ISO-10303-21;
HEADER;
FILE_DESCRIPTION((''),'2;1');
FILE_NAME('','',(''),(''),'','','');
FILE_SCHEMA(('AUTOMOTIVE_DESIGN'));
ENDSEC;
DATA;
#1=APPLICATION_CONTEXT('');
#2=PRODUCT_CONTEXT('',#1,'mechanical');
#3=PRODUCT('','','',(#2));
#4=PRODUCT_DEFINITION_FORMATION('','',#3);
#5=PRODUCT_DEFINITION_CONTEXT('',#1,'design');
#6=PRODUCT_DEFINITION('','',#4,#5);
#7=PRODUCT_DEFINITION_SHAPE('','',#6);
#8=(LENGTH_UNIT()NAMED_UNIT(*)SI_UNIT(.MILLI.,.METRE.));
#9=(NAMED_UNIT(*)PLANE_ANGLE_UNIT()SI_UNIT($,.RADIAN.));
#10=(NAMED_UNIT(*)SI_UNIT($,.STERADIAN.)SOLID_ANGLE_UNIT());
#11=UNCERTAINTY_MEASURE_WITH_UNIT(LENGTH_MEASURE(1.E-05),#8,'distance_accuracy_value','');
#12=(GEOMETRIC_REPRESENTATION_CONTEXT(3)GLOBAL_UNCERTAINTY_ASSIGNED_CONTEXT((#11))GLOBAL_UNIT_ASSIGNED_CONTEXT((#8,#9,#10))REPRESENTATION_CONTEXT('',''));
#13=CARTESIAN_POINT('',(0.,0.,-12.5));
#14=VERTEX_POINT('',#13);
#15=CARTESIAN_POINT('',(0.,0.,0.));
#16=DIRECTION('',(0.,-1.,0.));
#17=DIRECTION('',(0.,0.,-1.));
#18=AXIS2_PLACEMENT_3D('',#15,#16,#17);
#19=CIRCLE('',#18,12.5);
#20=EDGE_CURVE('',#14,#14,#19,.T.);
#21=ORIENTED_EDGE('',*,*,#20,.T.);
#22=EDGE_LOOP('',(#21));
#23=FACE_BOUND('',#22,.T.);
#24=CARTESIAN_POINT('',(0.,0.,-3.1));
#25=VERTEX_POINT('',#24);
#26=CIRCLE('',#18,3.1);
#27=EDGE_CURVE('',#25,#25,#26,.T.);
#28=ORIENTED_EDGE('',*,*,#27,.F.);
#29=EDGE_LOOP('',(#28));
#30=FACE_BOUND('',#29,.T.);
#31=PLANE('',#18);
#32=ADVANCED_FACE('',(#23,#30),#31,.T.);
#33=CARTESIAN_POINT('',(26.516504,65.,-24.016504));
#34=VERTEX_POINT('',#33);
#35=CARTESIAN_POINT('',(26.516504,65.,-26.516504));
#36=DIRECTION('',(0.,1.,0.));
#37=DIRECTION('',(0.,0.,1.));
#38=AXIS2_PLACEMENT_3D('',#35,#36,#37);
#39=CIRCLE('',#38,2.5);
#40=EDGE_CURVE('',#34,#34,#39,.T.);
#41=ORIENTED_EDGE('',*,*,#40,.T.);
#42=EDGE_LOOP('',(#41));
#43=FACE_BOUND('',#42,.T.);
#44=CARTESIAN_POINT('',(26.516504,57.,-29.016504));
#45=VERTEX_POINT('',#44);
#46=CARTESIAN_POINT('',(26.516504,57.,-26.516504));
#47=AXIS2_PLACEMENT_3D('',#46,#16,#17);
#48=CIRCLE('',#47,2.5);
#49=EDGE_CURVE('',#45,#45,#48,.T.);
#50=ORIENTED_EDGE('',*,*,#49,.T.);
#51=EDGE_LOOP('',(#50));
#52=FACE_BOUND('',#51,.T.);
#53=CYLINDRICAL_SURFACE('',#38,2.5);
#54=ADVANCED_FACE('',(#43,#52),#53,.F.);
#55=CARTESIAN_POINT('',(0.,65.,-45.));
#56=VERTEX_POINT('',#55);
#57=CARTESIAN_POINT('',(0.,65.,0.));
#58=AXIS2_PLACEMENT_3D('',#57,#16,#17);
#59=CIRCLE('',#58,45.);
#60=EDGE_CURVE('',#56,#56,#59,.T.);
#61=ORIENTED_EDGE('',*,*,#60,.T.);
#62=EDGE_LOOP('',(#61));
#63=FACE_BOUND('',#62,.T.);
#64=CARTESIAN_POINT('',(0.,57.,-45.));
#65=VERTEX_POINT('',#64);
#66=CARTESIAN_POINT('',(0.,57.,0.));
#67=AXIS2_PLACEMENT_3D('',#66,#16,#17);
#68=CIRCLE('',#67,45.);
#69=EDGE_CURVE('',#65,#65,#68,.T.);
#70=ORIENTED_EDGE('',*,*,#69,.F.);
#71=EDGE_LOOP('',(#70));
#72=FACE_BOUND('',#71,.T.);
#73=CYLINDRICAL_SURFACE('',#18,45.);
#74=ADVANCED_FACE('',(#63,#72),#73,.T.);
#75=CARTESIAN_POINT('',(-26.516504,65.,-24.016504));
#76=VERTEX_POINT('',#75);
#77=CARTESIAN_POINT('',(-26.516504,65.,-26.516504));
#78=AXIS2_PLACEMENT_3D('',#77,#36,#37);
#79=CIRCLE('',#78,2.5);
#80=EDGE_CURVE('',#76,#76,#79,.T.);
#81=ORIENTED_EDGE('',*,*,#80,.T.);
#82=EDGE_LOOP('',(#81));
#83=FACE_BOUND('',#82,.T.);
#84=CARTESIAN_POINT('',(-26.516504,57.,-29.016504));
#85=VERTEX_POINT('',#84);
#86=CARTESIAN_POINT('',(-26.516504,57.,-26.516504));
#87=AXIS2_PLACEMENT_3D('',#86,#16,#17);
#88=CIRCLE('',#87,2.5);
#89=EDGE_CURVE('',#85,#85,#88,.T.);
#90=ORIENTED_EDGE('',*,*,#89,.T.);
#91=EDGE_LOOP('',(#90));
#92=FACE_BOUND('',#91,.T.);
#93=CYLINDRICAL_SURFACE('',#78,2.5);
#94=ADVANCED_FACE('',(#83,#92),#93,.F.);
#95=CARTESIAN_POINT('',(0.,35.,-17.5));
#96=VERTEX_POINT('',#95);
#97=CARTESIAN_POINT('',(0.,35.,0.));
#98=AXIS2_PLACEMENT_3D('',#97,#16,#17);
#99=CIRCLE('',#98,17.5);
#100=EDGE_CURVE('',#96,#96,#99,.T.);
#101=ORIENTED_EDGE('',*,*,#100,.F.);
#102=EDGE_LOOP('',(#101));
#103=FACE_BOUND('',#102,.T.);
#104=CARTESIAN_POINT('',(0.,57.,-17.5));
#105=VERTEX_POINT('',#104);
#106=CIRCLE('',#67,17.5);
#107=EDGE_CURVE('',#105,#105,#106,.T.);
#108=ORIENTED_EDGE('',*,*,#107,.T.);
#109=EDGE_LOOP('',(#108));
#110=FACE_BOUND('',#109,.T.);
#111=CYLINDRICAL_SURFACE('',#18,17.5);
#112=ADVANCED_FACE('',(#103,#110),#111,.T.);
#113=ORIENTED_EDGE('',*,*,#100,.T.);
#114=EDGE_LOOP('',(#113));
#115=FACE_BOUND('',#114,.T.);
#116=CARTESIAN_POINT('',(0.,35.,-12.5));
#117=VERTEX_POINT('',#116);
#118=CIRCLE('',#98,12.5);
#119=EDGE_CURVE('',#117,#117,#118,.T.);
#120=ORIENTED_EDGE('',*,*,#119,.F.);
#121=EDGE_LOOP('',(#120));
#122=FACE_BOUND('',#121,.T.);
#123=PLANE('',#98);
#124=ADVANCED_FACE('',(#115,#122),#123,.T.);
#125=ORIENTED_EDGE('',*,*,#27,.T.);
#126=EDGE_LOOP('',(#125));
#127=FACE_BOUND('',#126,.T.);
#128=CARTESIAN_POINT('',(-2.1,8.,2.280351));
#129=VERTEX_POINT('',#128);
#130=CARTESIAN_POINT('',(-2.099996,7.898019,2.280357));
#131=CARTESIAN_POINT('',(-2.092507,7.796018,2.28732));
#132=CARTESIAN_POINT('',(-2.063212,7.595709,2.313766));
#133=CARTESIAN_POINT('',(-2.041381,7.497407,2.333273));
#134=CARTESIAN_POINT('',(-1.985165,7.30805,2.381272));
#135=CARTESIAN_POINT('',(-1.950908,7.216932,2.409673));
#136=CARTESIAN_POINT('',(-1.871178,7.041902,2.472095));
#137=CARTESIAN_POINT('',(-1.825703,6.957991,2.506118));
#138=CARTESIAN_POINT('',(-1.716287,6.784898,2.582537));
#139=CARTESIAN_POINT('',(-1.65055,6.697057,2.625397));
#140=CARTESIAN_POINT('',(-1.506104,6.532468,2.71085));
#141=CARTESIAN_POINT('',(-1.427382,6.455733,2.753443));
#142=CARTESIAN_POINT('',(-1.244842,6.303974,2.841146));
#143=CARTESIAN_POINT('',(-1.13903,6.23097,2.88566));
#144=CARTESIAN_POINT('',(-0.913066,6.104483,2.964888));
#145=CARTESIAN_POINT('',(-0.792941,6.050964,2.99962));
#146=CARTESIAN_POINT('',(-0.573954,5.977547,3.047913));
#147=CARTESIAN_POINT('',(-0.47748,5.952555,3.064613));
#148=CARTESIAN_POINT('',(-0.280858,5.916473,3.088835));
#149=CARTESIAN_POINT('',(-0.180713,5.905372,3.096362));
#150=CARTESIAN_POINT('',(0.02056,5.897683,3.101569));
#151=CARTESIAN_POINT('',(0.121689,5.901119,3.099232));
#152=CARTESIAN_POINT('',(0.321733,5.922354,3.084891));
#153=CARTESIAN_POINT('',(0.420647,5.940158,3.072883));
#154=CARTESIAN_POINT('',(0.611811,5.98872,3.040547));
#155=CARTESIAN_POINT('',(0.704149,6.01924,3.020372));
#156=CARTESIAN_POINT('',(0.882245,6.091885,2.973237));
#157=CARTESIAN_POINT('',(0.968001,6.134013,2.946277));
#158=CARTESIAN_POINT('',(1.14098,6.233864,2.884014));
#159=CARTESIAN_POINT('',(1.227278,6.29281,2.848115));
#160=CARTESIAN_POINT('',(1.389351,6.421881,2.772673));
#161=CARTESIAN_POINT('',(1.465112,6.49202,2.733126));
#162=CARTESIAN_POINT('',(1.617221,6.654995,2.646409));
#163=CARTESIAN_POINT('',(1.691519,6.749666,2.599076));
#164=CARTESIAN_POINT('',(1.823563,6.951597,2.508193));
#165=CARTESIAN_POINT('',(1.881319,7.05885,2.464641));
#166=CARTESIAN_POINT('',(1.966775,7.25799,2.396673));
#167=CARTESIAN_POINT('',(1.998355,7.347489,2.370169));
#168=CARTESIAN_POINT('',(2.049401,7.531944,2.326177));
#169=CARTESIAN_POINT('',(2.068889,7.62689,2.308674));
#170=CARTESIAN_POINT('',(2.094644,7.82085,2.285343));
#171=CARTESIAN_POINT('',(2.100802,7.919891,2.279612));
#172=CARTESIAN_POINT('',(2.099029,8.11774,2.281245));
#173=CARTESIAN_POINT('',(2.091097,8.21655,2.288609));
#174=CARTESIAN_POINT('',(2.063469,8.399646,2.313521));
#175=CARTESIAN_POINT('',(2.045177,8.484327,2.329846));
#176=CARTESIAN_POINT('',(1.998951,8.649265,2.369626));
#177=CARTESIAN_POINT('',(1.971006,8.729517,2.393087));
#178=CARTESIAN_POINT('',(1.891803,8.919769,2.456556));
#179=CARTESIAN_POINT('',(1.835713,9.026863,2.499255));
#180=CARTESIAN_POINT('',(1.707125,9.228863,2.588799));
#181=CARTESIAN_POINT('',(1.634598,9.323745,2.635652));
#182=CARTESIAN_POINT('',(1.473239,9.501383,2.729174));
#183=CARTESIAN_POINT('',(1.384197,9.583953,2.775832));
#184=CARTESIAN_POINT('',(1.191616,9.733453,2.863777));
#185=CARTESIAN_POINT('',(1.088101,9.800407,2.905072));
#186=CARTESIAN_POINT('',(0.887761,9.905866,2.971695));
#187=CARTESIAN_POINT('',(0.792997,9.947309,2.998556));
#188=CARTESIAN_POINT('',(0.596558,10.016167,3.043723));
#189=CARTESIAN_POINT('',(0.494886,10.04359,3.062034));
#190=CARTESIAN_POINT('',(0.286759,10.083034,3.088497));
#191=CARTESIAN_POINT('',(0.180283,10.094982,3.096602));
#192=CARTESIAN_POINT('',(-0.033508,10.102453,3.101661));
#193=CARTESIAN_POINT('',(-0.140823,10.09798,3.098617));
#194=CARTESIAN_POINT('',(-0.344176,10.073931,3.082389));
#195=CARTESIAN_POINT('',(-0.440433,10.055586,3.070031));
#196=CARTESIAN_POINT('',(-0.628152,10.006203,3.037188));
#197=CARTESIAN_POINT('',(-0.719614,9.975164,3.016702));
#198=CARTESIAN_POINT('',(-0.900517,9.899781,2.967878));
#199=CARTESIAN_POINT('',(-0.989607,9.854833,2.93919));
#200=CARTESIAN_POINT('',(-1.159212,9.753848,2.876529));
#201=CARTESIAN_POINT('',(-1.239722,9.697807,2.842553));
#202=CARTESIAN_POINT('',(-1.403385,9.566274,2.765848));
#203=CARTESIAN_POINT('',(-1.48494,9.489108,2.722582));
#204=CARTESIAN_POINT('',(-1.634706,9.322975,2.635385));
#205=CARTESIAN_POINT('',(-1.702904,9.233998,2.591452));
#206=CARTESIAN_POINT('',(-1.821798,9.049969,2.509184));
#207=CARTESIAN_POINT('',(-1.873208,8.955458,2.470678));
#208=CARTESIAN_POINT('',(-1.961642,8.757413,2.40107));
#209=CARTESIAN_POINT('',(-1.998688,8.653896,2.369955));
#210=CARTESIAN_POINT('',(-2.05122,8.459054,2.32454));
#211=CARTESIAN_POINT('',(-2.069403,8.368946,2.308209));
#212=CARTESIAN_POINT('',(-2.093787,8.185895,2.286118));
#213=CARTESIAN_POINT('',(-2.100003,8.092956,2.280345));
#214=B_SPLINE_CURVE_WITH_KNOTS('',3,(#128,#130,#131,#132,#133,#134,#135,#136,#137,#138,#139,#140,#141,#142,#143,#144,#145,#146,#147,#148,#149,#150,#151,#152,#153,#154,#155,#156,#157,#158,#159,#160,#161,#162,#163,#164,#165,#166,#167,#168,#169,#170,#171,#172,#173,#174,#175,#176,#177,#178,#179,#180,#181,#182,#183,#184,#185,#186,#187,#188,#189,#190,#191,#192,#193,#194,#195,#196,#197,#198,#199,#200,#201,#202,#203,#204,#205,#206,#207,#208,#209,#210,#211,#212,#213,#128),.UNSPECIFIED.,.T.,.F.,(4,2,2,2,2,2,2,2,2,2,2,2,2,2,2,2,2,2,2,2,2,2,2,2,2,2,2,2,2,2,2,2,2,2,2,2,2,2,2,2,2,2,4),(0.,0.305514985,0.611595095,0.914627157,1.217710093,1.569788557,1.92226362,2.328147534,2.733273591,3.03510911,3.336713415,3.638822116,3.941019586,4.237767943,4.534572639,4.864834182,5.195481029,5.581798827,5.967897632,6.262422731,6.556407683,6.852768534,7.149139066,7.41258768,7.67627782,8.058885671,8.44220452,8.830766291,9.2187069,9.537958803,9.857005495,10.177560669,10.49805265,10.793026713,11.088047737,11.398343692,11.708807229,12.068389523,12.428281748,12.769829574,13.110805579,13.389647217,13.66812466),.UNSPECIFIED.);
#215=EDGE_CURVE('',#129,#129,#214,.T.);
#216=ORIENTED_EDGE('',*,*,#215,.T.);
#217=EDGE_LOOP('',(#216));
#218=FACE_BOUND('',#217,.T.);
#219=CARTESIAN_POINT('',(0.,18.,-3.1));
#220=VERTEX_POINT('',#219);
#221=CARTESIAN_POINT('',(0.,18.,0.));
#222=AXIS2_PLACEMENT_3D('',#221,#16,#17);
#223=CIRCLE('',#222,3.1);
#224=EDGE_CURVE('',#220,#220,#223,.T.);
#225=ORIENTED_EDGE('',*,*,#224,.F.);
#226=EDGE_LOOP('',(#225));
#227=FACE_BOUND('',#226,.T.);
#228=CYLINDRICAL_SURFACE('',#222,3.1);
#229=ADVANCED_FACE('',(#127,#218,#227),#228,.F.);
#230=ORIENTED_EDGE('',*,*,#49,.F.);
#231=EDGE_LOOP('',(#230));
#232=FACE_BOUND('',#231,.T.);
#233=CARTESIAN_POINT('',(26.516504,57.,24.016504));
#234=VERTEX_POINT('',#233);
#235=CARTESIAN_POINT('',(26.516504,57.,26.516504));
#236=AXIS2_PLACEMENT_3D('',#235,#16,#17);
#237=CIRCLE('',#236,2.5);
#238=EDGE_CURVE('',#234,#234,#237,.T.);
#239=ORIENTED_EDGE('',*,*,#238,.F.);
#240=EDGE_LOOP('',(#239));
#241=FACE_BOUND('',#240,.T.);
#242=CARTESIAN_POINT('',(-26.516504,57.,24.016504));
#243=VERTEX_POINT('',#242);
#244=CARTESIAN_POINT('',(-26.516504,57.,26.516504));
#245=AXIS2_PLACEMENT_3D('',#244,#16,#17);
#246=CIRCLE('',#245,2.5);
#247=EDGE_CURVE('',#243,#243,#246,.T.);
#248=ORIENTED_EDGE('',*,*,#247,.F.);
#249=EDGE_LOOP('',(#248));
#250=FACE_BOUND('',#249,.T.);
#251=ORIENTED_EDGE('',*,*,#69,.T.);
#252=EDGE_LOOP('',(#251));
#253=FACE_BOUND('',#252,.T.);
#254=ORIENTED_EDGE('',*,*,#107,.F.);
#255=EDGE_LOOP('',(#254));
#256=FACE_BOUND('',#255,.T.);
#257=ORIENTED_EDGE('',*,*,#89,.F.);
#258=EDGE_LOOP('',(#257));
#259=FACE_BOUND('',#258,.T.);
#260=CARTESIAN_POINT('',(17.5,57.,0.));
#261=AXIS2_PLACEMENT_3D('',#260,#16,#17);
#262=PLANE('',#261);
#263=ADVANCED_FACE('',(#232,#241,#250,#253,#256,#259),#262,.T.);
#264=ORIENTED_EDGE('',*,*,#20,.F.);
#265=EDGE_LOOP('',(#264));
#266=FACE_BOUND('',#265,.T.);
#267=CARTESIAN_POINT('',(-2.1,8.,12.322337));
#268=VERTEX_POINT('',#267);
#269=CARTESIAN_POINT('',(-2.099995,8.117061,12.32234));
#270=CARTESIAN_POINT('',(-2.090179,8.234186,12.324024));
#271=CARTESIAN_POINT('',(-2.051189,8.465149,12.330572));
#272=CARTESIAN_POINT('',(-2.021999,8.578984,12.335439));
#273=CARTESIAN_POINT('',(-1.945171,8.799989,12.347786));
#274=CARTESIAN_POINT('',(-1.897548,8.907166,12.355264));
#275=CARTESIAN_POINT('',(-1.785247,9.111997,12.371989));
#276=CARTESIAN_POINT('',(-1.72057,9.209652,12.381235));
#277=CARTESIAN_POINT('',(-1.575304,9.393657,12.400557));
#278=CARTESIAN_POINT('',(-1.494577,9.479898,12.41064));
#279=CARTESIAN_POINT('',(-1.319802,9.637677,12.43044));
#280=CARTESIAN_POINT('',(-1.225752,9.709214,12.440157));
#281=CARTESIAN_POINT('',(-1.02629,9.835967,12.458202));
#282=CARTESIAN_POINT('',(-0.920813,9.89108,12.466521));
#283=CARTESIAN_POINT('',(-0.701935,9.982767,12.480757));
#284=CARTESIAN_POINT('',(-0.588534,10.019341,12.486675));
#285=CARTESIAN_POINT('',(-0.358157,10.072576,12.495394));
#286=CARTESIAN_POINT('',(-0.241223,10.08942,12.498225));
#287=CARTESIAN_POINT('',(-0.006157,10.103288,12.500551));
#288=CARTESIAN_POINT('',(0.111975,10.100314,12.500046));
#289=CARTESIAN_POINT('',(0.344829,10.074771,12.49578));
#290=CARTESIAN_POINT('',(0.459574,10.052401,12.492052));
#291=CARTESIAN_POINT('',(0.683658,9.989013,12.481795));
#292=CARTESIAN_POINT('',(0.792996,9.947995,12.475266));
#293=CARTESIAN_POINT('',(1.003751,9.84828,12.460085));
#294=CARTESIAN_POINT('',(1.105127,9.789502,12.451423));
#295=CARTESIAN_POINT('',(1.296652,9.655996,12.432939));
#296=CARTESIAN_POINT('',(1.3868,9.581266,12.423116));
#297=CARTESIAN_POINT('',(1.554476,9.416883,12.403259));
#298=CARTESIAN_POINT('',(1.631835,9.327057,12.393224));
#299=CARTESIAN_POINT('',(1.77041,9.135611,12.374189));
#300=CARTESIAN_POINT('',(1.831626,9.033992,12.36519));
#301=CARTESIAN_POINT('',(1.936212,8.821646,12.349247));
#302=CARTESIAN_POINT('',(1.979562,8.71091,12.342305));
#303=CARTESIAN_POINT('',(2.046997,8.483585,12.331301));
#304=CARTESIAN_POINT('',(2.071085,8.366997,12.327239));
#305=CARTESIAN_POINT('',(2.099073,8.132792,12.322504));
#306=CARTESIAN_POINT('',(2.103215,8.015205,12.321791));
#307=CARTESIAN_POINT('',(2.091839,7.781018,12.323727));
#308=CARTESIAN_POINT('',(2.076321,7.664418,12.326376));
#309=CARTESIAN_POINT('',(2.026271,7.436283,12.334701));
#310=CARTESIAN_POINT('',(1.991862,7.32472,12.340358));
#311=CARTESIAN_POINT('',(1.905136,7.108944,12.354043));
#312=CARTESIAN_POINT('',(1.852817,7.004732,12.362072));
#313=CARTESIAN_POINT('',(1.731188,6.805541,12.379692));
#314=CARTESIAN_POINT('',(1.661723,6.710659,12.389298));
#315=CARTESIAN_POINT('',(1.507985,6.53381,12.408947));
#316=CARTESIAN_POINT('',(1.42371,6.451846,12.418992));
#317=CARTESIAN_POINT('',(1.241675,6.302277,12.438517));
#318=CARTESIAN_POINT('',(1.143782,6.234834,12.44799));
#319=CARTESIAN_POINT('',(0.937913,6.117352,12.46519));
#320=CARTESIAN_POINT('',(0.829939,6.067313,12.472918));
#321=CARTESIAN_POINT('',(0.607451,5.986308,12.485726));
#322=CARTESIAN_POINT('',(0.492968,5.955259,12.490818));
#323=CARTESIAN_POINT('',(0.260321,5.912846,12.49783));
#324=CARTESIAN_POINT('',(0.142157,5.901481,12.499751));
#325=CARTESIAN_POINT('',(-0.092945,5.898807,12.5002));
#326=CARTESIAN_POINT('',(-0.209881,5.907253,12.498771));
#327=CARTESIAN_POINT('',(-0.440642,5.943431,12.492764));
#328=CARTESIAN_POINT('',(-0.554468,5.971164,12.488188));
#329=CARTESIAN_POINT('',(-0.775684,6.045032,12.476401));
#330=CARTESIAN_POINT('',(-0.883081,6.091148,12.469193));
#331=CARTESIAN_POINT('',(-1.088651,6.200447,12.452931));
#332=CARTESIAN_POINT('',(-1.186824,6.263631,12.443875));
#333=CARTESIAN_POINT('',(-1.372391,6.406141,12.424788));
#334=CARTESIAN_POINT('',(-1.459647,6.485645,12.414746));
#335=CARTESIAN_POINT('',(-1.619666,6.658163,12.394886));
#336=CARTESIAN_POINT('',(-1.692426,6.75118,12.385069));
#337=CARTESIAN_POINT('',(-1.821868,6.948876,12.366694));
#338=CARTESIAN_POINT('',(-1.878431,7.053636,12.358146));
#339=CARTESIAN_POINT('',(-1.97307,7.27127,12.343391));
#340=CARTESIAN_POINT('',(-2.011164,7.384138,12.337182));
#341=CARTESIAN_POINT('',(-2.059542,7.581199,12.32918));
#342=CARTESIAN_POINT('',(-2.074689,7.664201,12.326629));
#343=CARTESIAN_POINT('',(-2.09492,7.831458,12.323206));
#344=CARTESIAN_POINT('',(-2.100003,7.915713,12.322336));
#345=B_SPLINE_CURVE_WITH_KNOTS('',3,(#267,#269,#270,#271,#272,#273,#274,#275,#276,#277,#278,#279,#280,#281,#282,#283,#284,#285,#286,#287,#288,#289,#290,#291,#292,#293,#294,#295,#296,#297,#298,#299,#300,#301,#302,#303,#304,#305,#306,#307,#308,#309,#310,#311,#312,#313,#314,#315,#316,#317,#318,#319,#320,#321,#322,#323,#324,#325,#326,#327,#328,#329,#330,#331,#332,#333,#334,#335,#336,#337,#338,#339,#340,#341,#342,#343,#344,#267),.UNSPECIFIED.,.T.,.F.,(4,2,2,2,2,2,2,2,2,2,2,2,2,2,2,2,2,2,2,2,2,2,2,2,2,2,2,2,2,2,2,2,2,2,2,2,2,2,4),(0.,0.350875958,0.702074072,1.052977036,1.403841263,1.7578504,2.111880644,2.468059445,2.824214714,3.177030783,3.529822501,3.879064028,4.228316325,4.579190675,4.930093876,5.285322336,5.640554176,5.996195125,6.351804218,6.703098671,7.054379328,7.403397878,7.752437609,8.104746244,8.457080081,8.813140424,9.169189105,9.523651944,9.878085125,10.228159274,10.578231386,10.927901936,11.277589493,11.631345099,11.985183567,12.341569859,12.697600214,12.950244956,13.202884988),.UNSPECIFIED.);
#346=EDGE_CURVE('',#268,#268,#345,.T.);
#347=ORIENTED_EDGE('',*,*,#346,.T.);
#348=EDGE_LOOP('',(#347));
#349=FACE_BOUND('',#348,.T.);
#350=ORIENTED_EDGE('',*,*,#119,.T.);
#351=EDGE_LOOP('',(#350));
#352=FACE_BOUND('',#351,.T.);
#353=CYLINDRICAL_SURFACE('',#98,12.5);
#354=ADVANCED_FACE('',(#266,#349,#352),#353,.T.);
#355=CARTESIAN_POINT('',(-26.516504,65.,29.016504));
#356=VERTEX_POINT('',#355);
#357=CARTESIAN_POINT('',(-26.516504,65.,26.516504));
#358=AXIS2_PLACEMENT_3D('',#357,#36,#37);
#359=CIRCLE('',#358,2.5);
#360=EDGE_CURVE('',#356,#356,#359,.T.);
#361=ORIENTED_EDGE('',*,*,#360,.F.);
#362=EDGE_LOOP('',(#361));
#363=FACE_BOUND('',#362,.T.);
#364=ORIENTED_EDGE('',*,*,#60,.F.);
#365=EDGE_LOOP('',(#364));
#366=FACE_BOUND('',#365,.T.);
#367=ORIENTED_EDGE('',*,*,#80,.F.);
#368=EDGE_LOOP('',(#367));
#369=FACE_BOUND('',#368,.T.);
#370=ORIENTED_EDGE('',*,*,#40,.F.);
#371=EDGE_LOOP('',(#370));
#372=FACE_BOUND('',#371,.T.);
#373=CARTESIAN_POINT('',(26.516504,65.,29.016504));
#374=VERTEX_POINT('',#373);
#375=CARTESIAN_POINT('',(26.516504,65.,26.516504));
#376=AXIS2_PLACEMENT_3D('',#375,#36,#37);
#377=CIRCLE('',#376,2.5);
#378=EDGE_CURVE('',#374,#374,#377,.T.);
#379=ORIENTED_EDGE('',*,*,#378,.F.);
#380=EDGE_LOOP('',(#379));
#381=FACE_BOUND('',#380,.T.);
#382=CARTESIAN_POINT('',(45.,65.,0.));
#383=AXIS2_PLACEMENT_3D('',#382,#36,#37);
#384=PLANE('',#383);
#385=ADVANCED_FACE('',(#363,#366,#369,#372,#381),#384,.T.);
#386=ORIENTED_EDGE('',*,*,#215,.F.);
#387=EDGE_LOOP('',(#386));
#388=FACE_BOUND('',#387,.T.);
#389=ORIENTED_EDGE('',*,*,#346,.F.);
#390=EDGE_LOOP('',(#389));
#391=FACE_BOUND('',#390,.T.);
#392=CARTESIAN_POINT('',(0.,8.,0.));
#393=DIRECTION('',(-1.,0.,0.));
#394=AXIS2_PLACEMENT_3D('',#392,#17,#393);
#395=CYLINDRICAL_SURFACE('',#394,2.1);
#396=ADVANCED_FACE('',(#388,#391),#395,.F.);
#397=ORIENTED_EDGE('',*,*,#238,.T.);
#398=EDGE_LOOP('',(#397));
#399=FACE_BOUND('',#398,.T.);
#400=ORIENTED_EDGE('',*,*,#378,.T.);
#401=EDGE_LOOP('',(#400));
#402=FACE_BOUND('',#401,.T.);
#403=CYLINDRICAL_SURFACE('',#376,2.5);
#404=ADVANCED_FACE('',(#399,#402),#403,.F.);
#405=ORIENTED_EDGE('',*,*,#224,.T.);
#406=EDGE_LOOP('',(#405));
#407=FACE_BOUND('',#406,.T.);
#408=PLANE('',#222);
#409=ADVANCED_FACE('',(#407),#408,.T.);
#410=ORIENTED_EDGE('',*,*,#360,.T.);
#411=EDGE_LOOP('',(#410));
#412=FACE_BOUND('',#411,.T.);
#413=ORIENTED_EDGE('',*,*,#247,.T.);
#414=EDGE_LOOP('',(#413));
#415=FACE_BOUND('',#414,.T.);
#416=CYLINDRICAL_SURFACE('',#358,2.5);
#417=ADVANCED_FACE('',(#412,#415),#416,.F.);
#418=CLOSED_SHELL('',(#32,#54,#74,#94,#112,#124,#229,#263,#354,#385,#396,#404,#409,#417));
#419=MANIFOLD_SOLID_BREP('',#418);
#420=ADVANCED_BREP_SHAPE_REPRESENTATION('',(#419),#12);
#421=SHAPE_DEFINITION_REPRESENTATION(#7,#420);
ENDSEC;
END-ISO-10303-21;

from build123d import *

# Parameters (mm, degrees)
BROCA_DE_ROSQUEAR_PARA_TARRAXA_DE_M62_D = 5
ESBO_O4_R                               = 3.1
CORTE_EXTRUS_O1_DEPTH                   = 18
ESBO_O7_W                               = 2.1
ESBO_O7_H                               = 45
ESBO_O8_R                               = 17.5
ESBO_O8_R_2                             = 12.5
CORTE_EXTRUS_O2_DEPTH                   = 35


with BuildPart() as part:
    # Esboço1 → Revolução1 (revolve)
    with BuildSketch(Plane.XY, mode=Mode.PRIVATE) as revolu_o1_sk:
        Polygon((0, 0), (0, 65), (45, 65), (45, 57), (17.5, 57), (17.5, 0), align=None)
    revolve(revolu_o1_sk.sketch.rotate(Axis((0, 0, 0), (0, 1, 0)), 90), axis=Axis((0, 0, 0), (0, 1, 0)))

    # Broca de rosquear para tarraxa de M62 (through all)
    with Locations(Plane(origin=(0, 65, 0), x_dir=(1, 0, 0), z_dir=(0, 1, 0))):
        with Locations((26.516504294, 26.516504294), (-26.516504294, -26.516504294), (-26.516504294, 26.516504294), (26.516504294, -26.516504294)):
            Hole(BROCA_DE_ROSQUEAR_PARA_TARRAXA_DE_M62_D / 2)

    # Esboço4 → Corte-extrusão1 (cut)
    with BuildSketch(Plane.XZ):
        with Locations(Location((0, 0, 0), (0, 0, 270))):
            Circle(ESBO_O4_R)
    extrude(amount=-CORTE_EXTRUS_O1_DEPTH, mode=Mode.SUBTRACT)

    # Esboço7 → Broca de rosquear para tarraxa de M52 (revolve, cut)
    with BuildSketch(Plane(origin=(0, 8, 0), x_dir=(0, 1, 0), z_dir=(1, 0, 0))):
        with Locations((1.05, 22.5)):
            Rectangle(ESBO_O7_W, ESBO_O7_H)
    revolve(axis=Axis((0, 8, -6.35), (0, 0, 1)), mode=Mode.SUBTRACT)

    # Esboço8 → Corte-extrusão2 (cut)
    with BuildSketch(Plane.XZ):
        with Locations(Location((0, 0, 0), (0, 0, 270))):
            Circle(ESBO_O8_R)
        with Locations(Location((0, 0, 0), (0, 0, 270))):
            Circle(ESBO_O8_R_2, mode=Mode.SUBTRACT)
    extrude(amount=-CORTE_EXTRUS_O2_DEPTH, mode=Mode.SUBTRACT)


solid = part.part
